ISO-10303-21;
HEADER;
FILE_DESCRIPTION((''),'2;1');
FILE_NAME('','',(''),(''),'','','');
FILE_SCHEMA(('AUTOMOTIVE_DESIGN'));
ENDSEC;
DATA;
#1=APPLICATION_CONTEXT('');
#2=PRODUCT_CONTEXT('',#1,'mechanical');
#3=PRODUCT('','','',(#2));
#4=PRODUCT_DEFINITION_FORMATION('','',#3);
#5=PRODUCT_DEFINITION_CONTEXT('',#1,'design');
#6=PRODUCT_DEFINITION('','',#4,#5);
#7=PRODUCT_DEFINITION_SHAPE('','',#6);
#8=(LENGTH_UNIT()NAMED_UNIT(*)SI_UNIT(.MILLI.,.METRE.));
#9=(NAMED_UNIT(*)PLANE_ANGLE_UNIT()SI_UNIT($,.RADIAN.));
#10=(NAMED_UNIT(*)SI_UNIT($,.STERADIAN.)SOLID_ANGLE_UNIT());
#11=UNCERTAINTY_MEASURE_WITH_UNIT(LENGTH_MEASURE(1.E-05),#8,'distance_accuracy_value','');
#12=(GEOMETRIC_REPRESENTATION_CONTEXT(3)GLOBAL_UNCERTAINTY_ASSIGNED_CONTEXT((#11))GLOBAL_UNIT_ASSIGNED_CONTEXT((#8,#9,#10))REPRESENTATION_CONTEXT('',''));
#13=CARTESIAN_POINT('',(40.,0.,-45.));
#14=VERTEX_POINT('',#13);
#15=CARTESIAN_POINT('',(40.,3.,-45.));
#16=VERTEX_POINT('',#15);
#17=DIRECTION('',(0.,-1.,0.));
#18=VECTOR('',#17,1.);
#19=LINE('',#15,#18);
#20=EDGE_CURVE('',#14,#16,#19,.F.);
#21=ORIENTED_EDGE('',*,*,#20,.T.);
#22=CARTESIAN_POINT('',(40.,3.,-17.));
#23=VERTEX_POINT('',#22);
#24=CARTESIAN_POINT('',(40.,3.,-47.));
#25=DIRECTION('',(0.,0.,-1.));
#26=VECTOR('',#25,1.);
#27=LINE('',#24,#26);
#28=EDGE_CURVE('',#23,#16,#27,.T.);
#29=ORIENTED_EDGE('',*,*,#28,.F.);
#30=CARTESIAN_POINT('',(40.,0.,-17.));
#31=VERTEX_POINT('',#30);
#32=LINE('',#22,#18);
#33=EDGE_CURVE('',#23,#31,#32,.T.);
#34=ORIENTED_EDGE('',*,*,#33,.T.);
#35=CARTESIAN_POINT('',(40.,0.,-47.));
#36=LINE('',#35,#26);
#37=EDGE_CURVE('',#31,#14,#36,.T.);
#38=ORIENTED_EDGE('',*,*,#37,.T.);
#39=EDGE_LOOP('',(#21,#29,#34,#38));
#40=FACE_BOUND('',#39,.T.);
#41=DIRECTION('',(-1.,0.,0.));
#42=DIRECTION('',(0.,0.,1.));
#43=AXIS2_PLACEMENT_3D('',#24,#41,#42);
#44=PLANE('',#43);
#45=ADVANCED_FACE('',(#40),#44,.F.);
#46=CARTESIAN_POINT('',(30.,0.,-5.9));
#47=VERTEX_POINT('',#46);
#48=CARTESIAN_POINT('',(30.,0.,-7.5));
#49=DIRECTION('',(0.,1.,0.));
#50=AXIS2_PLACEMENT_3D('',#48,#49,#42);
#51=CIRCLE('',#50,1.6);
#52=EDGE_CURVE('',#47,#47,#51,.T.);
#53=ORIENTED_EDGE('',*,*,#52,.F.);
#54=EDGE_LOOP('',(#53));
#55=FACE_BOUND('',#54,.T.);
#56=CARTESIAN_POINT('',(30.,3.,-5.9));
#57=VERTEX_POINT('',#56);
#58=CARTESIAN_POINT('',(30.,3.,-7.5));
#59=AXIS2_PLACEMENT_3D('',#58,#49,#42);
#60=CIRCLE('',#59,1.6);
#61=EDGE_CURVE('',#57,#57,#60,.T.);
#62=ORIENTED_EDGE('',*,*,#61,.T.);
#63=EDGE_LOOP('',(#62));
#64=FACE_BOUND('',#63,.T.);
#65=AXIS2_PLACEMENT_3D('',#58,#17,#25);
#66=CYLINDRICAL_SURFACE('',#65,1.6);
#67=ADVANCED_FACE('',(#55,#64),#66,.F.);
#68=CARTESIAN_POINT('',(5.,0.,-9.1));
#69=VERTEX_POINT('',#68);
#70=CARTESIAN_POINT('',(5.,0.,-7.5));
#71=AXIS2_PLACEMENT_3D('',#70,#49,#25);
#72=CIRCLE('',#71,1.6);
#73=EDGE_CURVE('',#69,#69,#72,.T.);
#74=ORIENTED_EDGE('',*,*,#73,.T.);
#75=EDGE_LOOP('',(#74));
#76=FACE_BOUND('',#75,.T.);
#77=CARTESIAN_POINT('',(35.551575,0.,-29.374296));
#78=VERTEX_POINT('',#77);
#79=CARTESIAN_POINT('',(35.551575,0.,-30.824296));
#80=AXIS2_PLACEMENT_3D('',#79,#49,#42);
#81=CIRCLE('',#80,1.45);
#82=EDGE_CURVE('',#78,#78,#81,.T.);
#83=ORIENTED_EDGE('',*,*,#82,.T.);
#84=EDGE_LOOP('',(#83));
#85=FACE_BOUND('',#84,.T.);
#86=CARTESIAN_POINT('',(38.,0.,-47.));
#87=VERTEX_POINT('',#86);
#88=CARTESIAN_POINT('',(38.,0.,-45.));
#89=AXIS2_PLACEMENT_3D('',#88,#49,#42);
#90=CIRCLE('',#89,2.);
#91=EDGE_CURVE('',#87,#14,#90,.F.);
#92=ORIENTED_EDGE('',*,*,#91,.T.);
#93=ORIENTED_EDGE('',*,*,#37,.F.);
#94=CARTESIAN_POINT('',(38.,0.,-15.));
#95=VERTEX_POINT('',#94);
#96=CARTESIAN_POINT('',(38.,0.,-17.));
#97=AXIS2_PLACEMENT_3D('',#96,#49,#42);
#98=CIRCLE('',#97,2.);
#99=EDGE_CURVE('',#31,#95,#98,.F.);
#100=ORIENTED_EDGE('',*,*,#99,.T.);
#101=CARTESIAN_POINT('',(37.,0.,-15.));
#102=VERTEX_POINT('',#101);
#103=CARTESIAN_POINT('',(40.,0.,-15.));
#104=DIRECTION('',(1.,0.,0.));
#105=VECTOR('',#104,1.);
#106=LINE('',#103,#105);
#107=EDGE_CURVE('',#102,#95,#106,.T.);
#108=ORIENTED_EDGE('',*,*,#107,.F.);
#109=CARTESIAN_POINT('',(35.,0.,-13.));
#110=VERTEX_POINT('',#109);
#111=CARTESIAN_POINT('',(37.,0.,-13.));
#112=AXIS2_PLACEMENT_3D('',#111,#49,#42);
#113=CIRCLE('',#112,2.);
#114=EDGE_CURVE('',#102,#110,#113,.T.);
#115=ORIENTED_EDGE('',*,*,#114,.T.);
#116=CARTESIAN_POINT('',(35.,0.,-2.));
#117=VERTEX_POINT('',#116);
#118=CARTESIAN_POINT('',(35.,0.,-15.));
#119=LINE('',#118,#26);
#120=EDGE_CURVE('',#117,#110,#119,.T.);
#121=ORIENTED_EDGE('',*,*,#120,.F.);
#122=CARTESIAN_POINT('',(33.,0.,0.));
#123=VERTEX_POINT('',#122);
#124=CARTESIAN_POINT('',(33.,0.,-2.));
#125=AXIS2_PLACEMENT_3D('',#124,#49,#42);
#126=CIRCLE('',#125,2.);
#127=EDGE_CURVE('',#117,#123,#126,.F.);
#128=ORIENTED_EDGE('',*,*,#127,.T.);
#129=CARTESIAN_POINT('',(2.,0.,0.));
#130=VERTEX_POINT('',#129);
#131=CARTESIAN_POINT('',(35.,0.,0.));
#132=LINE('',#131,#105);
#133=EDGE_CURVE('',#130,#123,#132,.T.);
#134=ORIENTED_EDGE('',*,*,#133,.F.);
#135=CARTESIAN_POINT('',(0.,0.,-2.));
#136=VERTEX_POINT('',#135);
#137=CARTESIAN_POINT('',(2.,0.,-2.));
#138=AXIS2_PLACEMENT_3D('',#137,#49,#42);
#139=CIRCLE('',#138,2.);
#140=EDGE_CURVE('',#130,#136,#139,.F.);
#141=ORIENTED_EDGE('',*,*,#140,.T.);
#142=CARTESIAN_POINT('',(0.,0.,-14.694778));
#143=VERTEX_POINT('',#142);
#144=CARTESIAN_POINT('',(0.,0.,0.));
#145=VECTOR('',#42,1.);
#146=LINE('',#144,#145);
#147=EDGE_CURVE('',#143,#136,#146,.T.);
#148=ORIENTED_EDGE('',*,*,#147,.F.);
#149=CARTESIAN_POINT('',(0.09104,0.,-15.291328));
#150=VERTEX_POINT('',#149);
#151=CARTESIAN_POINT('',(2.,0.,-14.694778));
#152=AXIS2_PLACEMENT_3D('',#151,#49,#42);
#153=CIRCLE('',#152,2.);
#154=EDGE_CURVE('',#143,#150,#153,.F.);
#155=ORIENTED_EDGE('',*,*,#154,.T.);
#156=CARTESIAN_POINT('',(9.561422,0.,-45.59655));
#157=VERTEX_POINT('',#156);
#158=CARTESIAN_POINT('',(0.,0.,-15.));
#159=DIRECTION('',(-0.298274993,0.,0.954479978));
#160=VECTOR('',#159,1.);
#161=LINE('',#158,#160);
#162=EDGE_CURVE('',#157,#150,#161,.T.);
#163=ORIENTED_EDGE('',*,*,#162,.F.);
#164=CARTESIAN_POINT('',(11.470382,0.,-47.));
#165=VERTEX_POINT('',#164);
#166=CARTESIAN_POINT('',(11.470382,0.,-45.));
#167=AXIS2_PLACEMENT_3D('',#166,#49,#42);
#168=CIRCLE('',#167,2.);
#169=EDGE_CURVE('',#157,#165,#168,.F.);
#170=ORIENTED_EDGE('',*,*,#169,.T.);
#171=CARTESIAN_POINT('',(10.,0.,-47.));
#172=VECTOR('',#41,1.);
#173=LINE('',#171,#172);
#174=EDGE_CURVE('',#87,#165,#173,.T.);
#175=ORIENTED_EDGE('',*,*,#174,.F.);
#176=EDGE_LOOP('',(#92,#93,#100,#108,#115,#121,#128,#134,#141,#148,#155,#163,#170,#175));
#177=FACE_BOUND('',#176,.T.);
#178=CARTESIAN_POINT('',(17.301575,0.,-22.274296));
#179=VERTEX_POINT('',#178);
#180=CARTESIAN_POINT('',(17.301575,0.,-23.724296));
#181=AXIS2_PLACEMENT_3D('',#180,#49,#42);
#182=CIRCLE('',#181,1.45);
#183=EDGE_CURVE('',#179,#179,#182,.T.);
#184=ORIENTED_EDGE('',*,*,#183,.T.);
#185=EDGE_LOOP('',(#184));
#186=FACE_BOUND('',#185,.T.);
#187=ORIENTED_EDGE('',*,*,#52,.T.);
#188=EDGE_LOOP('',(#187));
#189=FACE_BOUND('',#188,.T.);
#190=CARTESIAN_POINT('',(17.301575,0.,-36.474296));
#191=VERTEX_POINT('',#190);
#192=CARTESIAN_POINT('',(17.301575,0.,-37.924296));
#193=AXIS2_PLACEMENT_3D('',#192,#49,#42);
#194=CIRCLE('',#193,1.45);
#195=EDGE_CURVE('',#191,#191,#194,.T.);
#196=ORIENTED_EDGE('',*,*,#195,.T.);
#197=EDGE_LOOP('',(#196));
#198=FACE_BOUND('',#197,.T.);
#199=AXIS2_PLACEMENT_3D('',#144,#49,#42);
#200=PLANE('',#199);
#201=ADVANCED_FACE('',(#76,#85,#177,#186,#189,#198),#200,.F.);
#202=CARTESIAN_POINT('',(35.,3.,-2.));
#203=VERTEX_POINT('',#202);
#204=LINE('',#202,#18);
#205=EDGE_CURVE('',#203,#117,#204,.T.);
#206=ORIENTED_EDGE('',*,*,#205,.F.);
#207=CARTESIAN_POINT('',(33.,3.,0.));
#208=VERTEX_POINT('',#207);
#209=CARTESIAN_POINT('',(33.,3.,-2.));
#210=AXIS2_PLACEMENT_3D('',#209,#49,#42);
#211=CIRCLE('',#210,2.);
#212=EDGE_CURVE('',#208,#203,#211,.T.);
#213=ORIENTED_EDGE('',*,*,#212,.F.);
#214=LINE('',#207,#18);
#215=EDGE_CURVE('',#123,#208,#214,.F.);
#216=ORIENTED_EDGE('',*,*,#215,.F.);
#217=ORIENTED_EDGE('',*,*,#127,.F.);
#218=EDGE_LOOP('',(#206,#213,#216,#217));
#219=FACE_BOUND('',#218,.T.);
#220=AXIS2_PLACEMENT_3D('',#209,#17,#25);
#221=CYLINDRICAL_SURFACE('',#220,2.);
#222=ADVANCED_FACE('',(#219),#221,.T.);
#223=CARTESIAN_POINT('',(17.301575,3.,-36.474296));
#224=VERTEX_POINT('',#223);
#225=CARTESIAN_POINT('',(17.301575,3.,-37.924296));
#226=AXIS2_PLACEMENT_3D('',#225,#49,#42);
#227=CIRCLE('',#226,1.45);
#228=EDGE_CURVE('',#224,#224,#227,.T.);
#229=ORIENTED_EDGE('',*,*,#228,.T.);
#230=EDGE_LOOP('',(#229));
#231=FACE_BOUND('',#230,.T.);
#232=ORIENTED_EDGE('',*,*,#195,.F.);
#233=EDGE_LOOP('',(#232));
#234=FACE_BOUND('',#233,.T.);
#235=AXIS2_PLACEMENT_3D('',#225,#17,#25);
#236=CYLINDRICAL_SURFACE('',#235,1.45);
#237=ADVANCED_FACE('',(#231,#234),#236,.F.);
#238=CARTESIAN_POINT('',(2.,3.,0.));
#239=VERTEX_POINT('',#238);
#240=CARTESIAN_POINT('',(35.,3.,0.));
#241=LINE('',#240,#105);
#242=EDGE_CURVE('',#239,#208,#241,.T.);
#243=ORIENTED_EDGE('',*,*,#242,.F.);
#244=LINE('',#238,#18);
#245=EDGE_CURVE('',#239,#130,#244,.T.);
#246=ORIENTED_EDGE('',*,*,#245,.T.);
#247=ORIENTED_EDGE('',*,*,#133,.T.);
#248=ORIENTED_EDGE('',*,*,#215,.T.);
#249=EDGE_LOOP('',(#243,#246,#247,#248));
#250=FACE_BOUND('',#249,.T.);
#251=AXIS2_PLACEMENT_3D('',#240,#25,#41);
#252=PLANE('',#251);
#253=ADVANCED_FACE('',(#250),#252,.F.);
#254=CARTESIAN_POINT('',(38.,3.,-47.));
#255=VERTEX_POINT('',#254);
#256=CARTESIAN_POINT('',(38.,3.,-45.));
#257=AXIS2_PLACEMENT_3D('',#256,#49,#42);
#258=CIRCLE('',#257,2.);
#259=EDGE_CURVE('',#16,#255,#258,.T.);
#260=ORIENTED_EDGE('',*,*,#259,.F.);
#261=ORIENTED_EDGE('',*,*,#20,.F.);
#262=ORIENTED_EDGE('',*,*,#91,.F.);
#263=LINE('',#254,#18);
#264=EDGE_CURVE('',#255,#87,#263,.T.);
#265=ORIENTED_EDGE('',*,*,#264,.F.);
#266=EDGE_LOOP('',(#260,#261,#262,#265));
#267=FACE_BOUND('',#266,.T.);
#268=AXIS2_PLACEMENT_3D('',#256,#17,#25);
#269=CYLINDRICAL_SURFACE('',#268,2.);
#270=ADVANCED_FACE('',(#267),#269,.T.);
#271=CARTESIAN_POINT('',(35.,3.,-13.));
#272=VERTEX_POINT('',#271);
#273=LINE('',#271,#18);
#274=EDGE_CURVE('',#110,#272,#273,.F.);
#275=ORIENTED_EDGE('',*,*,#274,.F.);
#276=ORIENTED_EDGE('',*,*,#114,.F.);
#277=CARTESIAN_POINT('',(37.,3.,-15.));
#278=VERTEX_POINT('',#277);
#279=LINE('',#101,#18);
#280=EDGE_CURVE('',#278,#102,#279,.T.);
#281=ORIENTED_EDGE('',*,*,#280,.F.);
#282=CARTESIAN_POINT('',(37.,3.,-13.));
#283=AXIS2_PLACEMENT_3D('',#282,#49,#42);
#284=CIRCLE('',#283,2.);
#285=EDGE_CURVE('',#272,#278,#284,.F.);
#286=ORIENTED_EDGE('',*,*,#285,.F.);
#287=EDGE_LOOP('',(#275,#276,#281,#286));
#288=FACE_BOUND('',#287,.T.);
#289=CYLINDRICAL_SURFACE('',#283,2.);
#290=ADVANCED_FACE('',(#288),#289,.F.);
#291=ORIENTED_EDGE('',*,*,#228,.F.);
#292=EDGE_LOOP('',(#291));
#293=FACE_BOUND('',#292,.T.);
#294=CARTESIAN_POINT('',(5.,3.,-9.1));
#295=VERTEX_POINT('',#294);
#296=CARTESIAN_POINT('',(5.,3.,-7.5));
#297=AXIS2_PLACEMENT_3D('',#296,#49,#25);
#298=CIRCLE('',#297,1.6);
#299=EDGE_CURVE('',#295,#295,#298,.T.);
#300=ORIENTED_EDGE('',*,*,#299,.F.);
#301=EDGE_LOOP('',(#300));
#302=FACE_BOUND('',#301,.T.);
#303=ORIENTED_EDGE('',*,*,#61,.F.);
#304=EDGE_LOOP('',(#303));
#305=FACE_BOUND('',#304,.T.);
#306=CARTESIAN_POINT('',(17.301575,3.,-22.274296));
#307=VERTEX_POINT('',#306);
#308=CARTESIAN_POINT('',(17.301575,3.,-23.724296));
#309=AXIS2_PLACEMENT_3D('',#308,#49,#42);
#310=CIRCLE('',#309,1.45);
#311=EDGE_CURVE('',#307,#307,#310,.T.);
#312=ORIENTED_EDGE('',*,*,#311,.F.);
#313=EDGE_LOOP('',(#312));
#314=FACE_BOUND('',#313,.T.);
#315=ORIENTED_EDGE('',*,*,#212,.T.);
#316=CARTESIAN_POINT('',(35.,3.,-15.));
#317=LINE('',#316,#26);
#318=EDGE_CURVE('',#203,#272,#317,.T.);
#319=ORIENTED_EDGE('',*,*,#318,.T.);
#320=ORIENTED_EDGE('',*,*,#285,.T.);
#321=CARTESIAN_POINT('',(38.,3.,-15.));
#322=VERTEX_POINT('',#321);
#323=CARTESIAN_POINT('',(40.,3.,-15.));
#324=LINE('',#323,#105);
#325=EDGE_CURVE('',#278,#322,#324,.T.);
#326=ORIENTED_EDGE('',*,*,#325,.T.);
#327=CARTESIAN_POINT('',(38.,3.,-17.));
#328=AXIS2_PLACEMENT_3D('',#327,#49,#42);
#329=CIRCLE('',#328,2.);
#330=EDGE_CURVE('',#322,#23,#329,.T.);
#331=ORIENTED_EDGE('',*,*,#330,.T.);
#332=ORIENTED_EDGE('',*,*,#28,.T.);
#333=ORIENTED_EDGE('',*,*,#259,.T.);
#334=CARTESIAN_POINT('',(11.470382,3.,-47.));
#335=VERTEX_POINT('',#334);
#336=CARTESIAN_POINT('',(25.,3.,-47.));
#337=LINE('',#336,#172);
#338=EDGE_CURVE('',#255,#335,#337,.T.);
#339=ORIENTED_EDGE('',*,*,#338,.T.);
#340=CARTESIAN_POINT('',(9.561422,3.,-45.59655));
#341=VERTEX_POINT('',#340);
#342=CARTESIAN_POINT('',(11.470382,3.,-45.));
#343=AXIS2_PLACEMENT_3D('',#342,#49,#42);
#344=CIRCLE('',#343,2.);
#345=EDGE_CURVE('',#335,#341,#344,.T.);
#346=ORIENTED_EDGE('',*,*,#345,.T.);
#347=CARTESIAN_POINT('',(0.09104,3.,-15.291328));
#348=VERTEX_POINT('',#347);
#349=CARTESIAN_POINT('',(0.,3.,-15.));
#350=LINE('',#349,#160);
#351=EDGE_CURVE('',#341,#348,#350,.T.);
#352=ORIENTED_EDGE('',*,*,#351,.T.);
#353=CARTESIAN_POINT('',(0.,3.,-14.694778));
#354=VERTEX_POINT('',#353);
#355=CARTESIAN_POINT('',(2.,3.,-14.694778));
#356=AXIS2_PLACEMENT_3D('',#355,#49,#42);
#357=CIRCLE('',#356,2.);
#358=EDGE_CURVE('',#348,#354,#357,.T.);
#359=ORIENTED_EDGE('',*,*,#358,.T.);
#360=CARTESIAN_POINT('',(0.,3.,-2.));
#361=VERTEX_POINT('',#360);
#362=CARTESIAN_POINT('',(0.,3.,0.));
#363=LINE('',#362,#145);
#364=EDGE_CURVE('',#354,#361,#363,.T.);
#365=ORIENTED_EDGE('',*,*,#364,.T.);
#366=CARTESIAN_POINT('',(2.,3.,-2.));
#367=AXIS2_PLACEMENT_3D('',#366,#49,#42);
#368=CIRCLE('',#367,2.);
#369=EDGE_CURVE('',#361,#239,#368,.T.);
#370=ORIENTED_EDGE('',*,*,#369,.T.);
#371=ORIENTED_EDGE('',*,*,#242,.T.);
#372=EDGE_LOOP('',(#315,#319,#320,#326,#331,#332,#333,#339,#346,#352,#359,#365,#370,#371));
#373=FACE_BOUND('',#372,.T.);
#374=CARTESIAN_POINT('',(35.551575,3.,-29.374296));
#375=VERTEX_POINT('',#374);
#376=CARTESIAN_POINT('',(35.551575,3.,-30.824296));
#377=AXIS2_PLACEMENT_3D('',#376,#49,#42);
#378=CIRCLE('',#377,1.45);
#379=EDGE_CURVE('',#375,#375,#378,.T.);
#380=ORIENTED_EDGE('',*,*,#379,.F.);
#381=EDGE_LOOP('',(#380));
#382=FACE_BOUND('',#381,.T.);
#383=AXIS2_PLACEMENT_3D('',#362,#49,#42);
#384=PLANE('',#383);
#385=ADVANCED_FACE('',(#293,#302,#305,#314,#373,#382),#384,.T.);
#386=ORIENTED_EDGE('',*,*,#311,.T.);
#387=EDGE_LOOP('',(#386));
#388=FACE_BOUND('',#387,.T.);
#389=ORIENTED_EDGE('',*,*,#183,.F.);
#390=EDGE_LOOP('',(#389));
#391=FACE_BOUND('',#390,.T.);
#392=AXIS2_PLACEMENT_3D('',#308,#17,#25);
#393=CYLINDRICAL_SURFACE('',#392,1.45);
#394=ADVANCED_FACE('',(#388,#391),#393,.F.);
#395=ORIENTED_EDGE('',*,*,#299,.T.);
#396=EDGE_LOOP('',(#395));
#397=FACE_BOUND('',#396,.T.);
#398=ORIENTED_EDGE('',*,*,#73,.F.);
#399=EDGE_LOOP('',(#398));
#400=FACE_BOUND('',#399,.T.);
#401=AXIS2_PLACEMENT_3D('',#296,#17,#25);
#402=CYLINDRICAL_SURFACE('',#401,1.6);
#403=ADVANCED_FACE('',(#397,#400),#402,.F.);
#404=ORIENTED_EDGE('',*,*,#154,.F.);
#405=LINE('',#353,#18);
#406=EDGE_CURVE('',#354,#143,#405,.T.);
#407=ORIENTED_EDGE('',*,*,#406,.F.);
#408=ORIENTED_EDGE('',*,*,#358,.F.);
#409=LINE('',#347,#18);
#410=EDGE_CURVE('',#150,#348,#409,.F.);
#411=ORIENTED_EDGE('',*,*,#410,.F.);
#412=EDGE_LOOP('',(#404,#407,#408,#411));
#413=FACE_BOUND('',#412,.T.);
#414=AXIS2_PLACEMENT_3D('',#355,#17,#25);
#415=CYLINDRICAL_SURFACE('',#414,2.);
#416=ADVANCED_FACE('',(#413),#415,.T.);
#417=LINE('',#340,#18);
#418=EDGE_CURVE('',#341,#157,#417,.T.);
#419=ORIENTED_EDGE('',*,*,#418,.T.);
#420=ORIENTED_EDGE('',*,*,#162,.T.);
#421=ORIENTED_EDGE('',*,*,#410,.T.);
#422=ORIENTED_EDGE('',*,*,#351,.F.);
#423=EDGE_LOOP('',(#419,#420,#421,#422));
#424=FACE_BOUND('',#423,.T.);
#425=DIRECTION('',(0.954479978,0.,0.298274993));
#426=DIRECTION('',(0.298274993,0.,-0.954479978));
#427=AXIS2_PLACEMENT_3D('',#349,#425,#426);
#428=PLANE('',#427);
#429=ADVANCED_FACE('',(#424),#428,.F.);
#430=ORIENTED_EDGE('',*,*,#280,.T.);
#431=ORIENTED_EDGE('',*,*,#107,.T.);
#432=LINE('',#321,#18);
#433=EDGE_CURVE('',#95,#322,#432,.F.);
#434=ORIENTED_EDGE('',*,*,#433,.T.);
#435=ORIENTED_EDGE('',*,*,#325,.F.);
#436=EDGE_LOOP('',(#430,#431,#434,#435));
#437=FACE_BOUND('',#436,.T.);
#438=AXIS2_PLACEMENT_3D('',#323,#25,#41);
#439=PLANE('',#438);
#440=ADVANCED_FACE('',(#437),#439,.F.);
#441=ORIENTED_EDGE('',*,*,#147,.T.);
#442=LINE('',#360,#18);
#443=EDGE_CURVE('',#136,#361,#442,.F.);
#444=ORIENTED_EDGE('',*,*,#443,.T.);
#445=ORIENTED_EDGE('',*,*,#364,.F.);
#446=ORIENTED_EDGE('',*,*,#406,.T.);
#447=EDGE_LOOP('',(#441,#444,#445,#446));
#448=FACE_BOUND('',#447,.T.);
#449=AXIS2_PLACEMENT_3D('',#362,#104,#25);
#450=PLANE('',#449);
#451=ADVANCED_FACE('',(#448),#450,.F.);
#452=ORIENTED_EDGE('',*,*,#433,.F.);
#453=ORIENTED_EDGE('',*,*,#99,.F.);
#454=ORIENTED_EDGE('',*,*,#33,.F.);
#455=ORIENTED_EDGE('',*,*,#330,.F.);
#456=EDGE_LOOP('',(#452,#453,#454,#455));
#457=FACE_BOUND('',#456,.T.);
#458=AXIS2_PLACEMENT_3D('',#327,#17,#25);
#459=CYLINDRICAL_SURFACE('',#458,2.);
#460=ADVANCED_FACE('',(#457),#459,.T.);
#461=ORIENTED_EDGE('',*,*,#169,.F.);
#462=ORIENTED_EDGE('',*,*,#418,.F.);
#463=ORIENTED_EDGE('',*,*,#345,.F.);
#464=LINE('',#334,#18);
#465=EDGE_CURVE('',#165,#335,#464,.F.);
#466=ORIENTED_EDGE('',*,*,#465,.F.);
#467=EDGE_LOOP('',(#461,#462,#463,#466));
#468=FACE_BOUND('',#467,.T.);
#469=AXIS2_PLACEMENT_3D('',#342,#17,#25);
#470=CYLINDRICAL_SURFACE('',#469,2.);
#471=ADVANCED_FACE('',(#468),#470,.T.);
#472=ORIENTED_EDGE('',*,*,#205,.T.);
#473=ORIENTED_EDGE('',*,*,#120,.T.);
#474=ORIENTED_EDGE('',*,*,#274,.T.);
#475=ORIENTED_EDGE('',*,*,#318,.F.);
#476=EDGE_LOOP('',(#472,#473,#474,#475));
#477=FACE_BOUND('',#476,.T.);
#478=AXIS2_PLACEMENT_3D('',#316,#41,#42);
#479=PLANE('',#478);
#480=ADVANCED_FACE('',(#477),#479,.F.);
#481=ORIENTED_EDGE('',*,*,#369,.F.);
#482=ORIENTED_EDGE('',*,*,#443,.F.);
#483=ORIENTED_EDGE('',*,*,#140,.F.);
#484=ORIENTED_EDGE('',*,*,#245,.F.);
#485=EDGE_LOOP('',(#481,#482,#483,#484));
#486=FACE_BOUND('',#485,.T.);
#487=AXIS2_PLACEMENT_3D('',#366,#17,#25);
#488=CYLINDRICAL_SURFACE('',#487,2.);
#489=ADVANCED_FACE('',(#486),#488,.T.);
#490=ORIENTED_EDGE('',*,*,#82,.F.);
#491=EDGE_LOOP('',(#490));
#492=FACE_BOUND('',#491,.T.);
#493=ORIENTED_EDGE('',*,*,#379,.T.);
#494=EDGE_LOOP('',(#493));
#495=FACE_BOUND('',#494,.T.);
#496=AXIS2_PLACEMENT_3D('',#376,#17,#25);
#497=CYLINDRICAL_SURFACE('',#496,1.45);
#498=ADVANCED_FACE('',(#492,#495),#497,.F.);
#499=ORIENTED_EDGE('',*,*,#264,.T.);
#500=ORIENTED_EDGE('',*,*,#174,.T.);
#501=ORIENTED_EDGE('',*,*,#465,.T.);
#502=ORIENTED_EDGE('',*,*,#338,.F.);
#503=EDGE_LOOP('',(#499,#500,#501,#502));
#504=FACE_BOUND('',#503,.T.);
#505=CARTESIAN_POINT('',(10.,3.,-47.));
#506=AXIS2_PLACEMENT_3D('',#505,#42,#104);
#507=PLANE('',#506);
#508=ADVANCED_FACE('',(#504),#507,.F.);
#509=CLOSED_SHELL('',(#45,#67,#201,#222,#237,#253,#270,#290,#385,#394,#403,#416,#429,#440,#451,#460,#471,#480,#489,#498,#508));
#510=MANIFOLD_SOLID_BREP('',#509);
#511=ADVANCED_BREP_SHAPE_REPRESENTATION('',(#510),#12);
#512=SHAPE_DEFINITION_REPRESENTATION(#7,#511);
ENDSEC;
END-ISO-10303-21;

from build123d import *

# Parameters (mm, degrees)
SKETCH_1_R      = 1.6
SKETCH_1_R_2    = 1.45
EXTRUDE_1_DEPTH = 3
FILLET_2_R      = 2


with BuildPart() as part:
    # 草图1 → 凸台-拉伸1 (new body)
    with BuildSketch(Plane(origin=(0, 0, 0), x_dir=(1, 0, 0), z_dir=(0, 1, 0))):
        Polygon((0, 0), (0, 15), (10, 47), (25, 47), (40, 47), (40, 15), (35, 15), (35, 0), align=None)
        with Locations(Location((30, 7.5, 0), (0, 0, 270))):
            Circle(SKETCH_1_R, mode=Mode.SUBTRACT)
        with Locations(Location((5, 7.5, 0), (0, 0, 90))):
            Circle(SKETCH_1_R, mode=Mode.SUBTRACT)
        with Locations(Location((35.551575044, 30.824296308, 0), (0, 0, 270))):
            Circle(SKETCH_1_R_2, mode=Mode.SUBTRACT)
        with Locations(Location((17.301575044, 37.924296308, 0), (0, 0, 270))):
            Circle(SKETCH_1_R_2, mode=Mode.SUBTRACT)
        with Locations(Location((17.301575044, 23.724296308, 0), (0, 0, 270))):
            Circle(SKETCH_1_R_2, mode=Mode.SUBTRACT)
    extrude(amount=EXTRUDE_1_DEPTH)

    # 圆角2
    fillet_2_edges = [part.edges().sort_by_distance(p)[0] for p in [
        (35, 1.5, -15),
        (35, 1.5, 0),
        (0, 1.5, 0),
        (0, 1.5, -15),
        (10, 1.5, -47),
        (40, 1.5, -47),
        (40, 1.5, -15),
    ]]
    fillet(fillet_2_edges, radius=FILLET_2_R)


solid = part.part
